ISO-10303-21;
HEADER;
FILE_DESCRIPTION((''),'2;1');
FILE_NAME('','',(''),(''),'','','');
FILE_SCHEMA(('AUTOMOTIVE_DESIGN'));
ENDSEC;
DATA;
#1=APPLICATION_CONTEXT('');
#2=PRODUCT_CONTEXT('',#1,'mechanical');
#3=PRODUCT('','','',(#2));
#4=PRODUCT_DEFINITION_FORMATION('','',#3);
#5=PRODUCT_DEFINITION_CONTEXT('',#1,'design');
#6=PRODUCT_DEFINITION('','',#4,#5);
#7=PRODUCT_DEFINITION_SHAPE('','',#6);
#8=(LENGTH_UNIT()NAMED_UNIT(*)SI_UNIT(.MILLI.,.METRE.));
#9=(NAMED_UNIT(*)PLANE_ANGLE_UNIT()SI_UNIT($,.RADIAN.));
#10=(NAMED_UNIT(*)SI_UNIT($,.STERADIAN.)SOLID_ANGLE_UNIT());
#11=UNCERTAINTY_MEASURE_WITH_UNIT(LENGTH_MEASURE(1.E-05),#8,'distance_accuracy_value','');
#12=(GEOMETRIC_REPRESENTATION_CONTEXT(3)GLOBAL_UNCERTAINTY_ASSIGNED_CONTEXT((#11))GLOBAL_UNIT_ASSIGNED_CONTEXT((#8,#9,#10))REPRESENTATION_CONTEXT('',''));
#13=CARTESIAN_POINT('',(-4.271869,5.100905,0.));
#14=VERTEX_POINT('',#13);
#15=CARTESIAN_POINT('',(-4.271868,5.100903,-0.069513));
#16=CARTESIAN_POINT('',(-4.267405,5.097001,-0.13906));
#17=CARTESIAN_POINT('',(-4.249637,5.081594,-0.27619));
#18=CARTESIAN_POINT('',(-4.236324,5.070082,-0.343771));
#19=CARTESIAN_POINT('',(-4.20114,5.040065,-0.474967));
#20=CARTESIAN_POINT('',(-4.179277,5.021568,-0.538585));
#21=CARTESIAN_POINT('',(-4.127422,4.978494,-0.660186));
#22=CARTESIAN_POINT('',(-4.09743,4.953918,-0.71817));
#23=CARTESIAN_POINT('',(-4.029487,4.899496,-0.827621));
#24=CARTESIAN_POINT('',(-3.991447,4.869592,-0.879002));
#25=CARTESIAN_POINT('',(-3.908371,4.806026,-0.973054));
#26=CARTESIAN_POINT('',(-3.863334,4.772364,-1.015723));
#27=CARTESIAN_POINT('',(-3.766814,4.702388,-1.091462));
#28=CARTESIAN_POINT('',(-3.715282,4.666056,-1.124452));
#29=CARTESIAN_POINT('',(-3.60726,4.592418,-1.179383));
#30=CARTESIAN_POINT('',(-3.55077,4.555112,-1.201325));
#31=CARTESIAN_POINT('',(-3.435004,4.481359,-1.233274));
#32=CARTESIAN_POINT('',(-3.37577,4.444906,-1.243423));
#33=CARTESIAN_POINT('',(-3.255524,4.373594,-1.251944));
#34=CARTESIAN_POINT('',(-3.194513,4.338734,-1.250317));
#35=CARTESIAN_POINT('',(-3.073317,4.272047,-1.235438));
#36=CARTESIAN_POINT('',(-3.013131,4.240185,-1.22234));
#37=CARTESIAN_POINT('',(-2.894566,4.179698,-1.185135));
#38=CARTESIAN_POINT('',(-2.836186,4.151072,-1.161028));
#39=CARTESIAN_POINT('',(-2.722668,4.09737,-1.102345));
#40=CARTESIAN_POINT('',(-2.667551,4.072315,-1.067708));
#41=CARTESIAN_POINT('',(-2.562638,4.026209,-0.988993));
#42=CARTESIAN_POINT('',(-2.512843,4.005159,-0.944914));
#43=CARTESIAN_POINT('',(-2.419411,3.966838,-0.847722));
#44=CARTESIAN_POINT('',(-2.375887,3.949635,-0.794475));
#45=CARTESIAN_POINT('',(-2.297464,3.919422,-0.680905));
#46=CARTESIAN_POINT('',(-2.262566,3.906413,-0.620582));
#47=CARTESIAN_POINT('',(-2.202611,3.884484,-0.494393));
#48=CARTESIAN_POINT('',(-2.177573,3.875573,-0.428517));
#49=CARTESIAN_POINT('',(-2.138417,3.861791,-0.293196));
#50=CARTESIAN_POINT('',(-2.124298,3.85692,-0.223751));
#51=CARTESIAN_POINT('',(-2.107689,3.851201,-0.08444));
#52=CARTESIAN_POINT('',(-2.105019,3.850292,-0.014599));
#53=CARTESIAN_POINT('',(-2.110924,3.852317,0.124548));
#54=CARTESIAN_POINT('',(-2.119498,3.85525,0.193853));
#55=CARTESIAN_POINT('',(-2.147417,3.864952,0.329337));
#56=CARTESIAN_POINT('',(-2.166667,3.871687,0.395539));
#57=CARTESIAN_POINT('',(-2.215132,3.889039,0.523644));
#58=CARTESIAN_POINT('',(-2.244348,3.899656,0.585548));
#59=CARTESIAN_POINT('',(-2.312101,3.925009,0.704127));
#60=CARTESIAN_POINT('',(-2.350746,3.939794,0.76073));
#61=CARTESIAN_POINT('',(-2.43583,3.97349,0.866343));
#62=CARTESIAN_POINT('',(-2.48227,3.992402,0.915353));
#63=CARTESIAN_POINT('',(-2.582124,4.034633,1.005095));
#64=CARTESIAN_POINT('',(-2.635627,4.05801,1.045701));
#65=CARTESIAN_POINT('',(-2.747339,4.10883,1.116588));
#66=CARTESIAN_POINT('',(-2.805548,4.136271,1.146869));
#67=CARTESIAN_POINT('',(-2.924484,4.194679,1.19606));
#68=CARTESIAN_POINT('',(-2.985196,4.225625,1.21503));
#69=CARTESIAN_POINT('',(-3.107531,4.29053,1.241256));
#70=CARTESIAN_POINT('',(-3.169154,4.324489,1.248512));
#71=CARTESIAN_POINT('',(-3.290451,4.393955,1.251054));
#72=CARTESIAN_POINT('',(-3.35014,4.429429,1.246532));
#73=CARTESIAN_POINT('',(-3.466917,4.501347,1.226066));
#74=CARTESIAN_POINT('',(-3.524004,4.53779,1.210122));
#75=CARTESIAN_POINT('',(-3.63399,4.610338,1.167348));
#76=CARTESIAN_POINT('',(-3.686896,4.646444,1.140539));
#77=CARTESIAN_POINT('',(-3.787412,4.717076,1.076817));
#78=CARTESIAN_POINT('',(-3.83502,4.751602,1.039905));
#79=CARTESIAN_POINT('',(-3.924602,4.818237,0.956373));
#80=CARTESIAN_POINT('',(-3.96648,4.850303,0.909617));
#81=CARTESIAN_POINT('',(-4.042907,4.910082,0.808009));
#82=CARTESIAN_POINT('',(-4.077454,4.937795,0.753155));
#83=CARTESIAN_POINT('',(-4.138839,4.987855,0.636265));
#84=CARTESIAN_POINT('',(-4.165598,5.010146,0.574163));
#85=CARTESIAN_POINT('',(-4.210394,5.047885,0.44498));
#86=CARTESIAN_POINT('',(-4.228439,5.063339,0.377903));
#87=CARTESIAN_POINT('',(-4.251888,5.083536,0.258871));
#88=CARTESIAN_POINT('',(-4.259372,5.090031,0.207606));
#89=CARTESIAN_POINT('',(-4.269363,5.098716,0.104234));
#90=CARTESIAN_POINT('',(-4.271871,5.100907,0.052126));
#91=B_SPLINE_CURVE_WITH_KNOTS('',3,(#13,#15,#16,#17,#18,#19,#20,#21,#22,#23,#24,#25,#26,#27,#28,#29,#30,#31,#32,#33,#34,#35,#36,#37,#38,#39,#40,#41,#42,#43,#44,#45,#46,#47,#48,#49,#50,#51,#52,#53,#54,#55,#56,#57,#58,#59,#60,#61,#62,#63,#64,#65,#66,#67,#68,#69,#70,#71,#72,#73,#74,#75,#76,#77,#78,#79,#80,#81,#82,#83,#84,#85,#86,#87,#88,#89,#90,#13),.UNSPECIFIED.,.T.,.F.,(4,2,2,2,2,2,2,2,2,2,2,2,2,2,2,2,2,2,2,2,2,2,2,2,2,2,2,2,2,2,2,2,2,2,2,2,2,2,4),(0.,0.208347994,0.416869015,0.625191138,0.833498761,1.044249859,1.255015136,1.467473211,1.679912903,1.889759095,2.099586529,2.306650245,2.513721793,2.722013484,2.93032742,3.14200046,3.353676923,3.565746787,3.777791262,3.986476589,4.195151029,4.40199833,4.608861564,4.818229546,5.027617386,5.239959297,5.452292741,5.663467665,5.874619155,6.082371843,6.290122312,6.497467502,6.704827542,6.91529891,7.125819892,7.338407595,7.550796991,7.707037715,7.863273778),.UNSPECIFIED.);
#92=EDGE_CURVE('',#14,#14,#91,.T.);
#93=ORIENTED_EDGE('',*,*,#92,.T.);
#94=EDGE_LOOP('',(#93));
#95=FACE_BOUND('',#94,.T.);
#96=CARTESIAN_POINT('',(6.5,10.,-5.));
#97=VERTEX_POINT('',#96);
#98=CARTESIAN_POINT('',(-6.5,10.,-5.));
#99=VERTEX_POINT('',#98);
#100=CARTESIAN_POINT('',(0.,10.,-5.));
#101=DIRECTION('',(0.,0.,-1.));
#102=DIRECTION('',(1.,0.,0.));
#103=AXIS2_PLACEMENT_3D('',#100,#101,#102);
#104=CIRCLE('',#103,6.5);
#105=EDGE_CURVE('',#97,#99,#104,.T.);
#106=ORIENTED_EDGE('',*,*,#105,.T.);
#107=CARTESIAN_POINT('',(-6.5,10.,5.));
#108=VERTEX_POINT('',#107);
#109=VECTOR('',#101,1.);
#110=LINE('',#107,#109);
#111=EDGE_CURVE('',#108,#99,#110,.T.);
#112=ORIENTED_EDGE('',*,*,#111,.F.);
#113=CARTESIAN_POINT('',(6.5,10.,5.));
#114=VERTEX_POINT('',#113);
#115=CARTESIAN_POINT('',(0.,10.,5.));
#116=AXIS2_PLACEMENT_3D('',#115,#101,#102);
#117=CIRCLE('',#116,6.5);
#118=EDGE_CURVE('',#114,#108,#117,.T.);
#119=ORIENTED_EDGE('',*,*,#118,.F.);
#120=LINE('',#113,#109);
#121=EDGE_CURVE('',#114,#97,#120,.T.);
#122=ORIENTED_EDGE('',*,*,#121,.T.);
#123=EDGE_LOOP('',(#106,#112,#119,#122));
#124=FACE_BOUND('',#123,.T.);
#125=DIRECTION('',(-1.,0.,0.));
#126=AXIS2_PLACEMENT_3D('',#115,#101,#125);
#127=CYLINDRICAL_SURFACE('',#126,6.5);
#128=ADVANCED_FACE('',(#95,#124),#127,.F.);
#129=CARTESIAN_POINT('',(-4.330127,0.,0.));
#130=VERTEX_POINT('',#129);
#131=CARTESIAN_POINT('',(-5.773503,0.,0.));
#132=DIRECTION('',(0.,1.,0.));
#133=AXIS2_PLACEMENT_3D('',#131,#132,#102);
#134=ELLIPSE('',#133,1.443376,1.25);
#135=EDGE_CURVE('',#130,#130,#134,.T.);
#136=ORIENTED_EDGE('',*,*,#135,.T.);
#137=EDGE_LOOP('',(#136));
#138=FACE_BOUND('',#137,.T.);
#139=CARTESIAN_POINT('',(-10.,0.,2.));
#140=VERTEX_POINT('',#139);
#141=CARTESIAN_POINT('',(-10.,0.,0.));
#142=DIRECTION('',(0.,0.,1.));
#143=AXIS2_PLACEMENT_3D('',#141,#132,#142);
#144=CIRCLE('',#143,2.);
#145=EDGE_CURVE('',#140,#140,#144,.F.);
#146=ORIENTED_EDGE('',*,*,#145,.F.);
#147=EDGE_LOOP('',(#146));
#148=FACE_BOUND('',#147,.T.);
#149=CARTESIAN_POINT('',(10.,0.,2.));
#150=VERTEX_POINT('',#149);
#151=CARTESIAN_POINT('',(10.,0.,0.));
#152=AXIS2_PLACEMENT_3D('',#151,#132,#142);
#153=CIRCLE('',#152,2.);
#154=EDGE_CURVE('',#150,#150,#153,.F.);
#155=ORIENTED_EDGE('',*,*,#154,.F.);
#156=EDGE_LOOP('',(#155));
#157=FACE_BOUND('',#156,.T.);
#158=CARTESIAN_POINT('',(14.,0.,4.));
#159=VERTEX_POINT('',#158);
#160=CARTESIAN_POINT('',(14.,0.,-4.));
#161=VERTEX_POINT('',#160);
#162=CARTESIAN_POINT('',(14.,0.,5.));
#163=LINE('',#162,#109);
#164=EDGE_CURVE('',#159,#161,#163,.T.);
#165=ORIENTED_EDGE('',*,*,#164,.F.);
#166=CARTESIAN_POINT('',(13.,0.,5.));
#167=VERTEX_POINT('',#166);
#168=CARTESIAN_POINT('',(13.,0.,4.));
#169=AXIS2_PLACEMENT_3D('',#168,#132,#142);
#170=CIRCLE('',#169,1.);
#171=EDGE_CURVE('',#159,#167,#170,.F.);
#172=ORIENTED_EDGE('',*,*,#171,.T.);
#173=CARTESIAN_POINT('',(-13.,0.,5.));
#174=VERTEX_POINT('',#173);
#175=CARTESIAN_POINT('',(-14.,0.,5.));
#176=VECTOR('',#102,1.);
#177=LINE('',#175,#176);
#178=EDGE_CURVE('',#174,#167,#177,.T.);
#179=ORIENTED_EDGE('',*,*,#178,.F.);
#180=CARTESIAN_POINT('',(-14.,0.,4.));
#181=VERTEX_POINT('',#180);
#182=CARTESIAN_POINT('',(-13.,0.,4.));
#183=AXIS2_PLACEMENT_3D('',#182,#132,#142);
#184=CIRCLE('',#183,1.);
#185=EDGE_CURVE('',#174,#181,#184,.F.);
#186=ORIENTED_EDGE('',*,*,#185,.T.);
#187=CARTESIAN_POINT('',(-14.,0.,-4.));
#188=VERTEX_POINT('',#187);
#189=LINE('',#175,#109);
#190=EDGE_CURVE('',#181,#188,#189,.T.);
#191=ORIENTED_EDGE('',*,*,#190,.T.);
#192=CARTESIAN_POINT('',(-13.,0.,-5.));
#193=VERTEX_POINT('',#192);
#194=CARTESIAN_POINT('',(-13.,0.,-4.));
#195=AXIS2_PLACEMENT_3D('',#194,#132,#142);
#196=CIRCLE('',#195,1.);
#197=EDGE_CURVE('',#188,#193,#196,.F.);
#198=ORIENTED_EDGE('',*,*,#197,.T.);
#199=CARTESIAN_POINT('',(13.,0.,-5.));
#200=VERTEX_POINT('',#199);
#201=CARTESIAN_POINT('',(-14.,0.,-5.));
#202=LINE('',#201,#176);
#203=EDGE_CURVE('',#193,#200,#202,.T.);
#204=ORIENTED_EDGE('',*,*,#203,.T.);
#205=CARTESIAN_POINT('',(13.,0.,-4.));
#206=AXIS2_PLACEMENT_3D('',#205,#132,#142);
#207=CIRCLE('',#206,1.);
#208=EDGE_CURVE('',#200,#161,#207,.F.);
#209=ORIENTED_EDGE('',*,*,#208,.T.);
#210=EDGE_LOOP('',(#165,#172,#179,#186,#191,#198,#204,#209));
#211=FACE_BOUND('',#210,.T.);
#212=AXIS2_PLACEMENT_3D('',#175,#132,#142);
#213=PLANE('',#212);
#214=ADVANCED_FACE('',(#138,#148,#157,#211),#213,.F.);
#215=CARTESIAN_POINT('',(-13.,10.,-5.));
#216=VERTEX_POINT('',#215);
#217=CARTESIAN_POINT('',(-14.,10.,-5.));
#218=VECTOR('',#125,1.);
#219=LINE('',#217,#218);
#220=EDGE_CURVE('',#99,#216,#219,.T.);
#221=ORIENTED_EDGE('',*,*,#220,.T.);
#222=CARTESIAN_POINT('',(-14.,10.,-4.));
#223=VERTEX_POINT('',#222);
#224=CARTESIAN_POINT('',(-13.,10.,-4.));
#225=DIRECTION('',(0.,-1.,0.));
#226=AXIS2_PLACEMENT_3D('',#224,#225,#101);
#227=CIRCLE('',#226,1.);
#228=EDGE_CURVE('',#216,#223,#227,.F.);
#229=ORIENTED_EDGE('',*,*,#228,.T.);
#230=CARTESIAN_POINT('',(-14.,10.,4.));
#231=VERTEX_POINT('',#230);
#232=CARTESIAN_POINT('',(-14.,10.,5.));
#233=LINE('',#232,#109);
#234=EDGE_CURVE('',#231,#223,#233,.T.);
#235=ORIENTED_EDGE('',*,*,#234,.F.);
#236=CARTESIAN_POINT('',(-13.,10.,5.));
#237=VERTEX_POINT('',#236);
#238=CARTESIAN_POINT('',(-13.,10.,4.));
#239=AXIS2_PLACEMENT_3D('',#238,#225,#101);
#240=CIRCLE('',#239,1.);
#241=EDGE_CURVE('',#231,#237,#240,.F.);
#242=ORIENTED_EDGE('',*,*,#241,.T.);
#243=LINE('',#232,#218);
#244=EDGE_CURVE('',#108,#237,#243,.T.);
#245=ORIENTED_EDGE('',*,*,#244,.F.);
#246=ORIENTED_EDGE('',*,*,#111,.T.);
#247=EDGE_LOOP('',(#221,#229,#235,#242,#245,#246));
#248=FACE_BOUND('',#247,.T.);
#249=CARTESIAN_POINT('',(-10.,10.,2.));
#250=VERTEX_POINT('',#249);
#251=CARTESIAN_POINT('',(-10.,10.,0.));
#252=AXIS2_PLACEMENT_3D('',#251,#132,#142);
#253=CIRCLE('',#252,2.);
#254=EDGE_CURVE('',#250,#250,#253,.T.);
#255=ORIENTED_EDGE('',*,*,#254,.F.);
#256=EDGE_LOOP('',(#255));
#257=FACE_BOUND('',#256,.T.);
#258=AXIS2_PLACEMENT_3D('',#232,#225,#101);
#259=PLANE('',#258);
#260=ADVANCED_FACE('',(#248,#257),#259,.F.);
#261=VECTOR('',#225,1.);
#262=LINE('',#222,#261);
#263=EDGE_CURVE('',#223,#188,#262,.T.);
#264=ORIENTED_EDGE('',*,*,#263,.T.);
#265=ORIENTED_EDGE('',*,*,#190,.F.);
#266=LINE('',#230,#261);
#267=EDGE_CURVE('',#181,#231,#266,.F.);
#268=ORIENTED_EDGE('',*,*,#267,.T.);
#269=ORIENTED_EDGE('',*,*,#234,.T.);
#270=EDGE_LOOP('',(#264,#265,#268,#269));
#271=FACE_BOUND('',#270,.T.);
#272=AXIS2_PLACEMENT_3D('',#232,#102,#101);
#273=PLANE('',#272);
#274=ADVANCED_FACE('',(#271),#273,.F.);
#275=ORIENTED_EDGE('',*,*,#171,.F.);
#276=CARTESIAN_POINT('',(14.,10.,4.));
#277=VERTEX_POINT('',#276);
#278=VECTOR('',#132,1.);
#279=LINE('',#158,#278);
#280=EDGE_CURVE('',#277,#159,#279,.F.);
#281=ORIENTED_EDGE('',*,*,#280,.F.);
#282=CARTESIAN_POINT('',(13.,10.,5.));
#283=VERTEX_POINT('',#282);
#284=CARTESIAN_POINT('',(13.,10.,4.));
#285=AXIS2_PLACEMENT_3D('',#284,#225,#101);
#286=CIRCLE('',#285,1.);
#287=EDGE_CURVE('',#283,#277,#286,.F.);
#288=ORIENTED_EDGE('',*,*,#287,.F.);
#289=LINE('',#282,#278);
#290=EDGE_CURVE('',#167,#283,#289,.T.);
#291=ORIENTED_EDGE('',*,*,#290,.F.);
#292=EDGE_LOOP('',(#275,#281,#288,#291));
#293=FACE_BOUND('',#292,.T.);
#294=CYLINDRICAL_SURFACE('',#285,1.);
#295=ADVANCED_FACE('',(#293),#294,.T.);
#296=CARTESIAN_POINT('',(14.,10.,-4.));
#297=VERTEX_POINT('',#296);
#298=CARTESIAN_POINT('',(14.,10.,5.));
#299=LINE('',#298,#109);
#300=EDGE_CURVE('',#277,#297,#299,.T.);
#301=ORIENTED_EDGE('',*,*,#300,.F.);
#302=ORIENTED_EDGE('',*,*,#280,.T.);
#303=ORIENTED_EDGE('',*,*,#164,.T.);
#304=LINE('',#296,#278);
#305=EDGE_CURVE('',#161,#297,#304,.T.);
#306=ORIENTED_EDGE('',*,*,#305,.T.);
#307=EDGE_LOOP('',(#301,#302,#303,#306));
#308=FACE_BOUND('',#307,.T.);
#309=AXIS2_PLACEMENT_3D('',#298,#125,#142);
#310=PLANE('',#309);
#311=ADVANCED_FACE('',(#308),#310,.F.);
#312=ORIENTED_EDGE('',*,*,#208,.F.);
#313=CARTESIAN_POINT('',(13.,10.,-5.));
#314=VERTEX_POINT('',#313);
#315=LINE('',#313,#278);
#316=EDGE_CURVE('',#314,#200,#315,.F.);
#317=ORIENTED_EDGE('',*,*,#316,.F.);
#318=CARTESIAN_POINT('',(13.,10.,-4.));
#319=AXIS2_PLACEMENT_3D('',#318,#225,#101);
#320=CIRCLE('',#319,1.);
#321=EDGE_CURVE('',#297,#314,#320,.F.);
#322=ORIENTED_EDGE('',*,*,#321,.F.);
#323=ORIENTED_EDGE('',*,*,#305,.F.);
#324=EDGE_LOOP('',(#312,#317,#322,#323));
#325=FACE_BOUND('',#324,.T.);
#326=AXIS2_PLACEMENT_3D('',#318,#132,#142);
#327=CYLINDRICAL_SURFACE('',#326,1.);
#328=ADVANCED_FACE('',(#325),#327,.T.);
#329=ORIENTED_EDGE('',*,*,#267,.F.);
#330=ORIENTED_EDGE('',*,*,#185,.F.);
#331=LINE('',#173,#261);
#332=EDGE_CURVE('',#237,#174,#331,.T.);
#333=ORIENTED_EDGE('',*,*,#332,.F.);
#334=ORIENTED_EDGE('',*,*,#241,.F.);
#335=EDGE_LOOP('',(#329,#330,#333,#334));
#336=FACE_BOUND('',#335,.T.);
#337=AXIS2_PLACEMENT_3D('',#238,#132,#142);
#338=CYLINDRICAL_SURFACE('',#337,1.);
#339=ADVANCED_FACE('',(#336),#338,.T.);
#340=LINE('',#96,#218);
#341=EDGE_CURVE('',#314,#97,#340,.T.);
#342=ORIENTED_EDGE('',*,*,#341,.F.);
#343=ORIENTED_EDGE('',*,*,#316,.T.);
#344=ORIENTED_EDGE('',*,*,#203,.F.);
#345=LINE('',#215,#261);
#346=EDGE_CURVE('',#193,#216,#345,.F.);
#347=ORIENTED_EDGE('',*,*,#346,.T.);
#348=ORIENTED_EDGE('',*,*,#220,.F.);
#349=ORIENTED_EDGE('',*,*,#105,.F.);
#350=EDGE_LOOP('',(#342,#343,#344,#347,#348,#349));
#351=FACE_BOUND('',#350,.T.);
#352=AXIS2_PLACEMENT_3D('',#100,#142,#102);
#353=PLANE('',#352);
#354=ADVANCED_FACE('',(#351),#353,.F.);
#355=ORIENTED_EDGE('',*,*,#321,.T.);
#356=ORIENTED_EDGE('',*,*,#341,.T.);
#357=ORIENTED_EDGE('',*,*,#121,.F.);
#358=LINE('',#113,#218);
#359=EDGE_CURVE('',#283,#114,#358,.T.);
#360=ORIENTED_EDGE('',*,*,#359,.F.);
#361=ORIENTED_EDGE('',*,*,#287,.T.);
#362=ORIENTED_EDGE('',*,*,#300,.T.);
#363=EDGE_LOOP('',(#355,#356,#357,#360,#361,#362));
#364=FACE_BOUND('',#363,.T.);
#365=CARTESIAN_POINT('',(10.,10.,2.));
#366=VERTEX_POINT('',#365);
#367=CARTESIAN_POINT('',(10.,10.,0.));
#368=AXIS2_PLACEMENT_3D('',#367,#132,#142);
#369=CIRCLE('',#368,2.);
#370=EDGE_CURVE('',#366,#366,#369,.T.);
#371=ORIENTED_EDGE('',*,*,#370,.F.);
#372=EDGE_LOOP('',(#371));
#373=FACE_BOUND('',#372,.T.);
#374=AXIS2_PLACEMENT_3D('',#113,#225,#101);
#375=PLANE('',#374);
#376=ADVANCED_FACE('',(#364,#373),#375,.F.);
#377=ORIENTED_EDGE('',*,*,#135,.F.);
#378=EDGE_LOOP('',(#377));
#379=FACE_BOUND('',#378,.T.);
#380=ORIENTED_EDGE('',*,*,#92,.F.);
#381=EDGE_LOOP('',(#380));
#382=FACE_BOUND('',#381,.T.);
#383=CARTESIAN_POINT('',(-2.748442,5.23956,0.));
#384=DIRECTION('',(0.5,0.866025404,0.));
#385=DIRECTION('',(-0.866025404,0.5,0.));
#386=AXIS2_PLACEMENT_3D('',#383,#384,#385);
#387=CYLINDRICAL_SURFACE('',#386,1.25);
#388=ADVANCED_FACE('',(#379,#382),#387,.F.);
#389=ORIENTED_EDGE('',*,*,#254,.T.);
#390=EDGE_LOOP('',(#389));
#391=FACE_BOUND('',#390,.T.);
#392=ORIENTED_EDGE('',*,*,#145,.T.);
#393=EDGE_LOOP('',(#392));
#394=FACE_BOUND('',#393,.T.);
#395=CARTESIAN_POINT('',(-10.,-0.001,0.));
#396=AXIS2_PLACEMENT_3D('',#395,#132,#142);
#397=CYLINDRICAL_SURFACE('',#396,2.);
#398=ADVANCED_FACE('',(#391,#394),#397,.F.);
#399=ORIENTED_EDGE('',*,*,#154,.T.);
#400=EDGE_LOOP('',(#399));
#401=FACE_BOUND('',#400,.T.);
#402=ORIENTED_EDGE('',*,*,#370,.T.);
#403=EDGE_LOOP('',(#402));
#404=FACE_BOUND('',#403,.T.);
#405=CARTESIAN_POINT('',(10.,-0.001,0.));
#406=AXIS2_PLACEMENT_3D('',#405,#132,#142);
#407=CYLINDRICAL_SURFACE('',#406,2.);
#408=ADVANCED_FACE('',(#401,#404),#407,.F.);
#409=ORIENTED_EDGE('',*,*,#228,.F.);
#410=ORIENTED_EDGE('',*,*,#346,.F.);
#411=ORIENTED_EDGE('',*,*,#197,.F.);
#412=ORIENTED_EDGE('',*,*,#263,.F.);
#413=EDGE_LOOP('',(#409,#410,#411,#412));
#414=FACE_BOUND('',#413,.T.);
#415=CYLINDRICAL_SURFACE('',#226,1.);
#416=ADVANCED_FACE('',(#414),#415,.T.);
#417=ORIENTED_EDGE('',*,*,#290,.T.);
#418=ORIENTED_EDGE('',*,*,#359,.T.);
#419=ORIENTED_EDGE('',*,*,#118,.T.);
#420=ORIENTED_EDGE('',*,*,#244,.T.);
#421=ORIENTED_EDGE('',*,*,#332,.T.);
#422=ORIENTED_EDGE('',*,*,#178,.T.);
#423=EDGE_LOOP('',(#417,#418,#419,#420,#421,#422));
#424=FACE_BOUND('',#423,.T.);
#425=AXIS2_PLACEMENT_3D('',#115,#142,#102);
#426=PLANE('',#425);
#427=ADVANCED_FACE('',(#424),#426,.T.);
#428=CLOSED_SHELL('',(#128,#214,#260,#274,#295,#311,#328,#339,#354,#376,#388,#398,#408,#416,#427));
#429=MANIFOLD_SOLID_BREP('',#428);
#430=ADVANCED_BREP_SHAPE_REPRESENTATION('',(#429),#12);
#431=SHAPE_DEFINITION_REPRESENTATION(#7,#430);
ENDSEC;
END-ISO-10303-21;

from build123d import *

# Parameters (mm, degrees)
BOSS_EXTRUDE1_DEPTH = 5
CUT_EXTRUDE1_REACH  = 19.916
SKETCH4_R           = 2
FILLET1_R           = 1


with BuildPart() as part:
    # Sketch1 → Boss-Extrude1 (new, symmetric)
    with BuildSketch(Plane.XY):
        with BuildLine():
            Line((-14, 0), (14, 0))
            Line((14, 0), (14, 10))
            Line((14, 10), (6.5, 10))
            ThreePointArc((6.5, 10), (0, 3.5), (-6.5, 10))
            Line((-6.5, 10), (-14, 10))
            Line((-14, 10), (-14, 0))
        make_face()
    extrude(amount=BOSS_EXTRUDE1_DEPTH, both=True)

    # Sketch2 → Cut-Revolve2 (revolve, cut)
    with BuildSketch(Plane.XY):
        Polygon((-2.748441557, 5.239559582), (-7.60591541, -3.173831928), (-8.688447164, -2.548831928), (-3.830973311, 5.864559582), align=None)
    revolve(axis=Axis((-2.748441557, 5.239559582, 0), (-0.4999999999999947, -0.8660254037844417, 0)), mode=Mode.SUBTRACT)

    # Sketch4 → Cut-Extrude1 (cut, up to next)
    with BuildSketch(Plane(origin=(0, 10, 0), x_dir=(1, 0, 0), z_dir=(0, 1, 0)), mode=Mode.PRIVATE) as cut_extrude1_sk1:
        with Locations(Location((-10, 0, 0), (0, 0, 270))):
            Circle(SKETCH4_R)
    cut_extrude1_tool1 = extrude(cut_extrude1_sk1.sketch, amount=-CUT_EXTRUDE1_REACH, mode=Mode.PRIVATE) & part.part
    # Sketch4 → Cut-Extrude1 (cut, up to next)
    with BuildSketch(Plane(origin=(0, 10, 0), x_dir=(1, 0, 0), z_dir=(0, 1, 0)), mode=Mode.PRIVATE) as cut_extrude1_sk2:
        with Locations(Location((10, 0, 0), (0, 0, 270))):
            Circle(SKETCH4_R)
    cut_extrude1_tool2 = extrude(cut_extrude1_sk2.sketch, amount=-CUT_EXTRUDE1_REACH, mode=Mode.PRIVATE) & part.part
    add(cut_extrude1_tool1.solids().sort_by_distance((-10, 10, 0))[0], mode=Mode.SUBTRACT)
    add(cut_extrude1_tool2.solids().sort_by_distance((10, 10, 0))[0], mode=Mode.SUBTRACT)

    # Fillet1
    fillet1_edges = [part.edges().sort_by_distance(p)[0] for p in [
        (14, 5, 5),
        (-14, 5, 5),
        (14, 5, -5),
        (-14, 5, -5),
    ]]
    fillet(fillet1_edges, radius=FILLET1_R)


solid = part.part
